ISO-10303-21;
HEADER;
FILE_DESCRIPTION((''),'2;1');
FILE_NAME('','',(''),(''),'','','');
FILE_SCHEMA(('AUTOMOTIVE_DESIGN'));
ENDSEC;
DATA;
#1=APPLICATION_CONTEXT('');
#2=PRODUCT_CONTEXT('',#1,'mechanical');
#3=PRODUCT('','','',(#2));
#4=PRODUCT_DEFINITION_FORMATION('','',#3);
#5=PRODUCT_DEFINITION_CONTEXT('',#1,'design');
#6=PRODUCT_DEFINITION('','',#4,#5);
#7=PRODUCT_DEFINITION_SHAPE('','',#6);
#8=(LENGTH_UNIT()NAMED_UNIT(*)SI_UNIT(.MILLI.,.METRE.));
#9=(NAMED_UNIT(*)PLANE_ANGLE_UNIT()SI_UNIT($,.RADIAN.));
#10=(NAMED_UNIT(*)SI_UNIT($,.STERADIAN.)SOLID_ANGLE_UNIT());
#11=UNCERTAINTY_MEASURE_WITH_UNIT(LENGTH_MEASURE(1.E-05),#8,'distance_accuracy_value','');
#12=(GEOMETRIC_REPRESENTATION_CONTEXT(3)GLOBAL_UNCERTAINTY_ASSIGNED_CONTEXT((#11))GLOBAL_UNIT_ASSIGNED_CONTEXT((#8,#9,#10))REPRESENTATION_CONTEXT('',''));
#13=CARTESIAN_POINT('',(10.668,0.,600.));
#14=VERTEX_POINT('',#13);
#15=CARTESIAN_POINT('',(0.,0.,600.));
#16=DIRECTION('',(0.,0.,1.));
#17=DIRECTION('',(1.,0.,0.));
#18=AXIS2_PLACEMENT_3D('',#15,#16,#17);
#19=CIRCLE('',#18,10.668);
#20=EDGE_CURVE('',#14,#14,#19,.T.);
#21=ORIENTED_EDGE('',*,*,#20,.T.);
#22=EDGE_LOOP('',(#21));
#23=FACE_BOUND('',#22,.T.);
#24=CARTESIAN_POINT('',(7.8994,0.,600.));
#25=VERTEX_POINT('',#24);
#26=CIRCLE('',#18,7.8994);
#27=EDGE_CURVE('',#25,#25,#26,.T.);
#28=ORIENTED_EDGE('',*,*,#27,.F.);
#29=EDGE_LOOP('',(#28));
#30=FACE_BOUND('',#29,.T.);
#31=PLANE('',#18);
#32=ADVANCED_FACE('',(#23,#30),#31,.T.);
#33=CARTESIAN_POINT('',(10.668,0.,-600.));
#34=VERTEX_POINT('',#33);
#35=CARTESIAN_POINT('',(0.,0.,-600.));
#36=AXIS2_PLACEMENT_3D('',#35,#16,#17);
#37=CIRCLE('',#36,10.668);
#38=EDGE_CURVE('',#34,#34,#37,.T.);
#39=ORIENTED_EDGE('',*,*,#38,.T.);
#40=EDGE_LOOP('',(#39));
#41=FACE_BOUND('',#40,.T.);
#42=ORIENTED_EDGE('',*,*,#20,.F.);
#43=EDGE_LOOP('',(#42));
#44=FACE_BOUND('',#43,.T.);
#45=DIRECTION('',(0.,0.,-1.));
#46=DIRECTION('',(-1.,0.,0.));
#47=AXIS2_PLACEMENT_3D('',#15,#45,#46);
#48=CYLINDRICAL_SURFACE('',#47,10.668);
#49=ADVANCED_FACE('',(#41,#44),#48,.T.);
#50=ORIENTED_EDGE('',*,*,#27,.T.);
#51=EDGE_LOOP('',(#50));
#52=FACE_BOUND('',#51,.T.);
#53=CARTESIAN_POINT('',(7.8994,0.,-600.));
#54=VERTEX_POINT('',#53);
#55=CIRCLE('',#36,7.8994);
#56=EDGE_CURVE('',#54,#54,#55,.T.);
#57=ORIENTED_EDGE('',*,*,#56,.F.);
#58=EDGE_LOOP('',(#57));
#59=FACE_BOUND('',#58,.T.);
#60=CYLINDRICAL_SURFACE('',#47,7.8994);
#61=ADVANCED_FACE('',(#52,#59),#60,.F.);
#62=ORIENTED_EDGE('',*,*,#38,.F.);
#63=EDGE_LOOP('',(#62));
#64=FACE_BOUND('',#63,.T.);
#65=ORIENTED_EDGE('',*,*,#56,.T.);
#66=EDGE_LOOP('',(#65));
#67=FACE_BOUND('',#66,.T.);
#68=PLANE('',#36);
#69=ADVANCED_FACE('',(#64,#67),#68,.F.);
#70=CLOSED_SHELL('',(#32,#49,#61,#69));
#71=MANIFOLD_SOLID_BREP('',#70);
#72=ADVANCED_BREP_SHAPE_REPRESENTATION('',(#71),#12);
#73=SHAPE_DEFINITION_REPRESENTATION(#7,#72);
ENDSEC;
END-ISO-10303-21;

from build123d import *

# Parameters (mm, degrees)
SKETCH1_R           = 10.668
SKETCH1_R_2         = 7.8994
EXTRUDE_THIN1_DEPTH = 600


with BuildPart() as part:
    # Sketch1 → Extrude-Thin1 (new, symmetric)
    with BuildSketch(Plane.XY):
        Circle(SKETCH1_R)
        Circle(SKETCH1_R_2, mode=Mode.SUBTRACT)
    extrude(amount=EXTRUDE_THIN1_DEPTH, both=True)


solid = part.part
